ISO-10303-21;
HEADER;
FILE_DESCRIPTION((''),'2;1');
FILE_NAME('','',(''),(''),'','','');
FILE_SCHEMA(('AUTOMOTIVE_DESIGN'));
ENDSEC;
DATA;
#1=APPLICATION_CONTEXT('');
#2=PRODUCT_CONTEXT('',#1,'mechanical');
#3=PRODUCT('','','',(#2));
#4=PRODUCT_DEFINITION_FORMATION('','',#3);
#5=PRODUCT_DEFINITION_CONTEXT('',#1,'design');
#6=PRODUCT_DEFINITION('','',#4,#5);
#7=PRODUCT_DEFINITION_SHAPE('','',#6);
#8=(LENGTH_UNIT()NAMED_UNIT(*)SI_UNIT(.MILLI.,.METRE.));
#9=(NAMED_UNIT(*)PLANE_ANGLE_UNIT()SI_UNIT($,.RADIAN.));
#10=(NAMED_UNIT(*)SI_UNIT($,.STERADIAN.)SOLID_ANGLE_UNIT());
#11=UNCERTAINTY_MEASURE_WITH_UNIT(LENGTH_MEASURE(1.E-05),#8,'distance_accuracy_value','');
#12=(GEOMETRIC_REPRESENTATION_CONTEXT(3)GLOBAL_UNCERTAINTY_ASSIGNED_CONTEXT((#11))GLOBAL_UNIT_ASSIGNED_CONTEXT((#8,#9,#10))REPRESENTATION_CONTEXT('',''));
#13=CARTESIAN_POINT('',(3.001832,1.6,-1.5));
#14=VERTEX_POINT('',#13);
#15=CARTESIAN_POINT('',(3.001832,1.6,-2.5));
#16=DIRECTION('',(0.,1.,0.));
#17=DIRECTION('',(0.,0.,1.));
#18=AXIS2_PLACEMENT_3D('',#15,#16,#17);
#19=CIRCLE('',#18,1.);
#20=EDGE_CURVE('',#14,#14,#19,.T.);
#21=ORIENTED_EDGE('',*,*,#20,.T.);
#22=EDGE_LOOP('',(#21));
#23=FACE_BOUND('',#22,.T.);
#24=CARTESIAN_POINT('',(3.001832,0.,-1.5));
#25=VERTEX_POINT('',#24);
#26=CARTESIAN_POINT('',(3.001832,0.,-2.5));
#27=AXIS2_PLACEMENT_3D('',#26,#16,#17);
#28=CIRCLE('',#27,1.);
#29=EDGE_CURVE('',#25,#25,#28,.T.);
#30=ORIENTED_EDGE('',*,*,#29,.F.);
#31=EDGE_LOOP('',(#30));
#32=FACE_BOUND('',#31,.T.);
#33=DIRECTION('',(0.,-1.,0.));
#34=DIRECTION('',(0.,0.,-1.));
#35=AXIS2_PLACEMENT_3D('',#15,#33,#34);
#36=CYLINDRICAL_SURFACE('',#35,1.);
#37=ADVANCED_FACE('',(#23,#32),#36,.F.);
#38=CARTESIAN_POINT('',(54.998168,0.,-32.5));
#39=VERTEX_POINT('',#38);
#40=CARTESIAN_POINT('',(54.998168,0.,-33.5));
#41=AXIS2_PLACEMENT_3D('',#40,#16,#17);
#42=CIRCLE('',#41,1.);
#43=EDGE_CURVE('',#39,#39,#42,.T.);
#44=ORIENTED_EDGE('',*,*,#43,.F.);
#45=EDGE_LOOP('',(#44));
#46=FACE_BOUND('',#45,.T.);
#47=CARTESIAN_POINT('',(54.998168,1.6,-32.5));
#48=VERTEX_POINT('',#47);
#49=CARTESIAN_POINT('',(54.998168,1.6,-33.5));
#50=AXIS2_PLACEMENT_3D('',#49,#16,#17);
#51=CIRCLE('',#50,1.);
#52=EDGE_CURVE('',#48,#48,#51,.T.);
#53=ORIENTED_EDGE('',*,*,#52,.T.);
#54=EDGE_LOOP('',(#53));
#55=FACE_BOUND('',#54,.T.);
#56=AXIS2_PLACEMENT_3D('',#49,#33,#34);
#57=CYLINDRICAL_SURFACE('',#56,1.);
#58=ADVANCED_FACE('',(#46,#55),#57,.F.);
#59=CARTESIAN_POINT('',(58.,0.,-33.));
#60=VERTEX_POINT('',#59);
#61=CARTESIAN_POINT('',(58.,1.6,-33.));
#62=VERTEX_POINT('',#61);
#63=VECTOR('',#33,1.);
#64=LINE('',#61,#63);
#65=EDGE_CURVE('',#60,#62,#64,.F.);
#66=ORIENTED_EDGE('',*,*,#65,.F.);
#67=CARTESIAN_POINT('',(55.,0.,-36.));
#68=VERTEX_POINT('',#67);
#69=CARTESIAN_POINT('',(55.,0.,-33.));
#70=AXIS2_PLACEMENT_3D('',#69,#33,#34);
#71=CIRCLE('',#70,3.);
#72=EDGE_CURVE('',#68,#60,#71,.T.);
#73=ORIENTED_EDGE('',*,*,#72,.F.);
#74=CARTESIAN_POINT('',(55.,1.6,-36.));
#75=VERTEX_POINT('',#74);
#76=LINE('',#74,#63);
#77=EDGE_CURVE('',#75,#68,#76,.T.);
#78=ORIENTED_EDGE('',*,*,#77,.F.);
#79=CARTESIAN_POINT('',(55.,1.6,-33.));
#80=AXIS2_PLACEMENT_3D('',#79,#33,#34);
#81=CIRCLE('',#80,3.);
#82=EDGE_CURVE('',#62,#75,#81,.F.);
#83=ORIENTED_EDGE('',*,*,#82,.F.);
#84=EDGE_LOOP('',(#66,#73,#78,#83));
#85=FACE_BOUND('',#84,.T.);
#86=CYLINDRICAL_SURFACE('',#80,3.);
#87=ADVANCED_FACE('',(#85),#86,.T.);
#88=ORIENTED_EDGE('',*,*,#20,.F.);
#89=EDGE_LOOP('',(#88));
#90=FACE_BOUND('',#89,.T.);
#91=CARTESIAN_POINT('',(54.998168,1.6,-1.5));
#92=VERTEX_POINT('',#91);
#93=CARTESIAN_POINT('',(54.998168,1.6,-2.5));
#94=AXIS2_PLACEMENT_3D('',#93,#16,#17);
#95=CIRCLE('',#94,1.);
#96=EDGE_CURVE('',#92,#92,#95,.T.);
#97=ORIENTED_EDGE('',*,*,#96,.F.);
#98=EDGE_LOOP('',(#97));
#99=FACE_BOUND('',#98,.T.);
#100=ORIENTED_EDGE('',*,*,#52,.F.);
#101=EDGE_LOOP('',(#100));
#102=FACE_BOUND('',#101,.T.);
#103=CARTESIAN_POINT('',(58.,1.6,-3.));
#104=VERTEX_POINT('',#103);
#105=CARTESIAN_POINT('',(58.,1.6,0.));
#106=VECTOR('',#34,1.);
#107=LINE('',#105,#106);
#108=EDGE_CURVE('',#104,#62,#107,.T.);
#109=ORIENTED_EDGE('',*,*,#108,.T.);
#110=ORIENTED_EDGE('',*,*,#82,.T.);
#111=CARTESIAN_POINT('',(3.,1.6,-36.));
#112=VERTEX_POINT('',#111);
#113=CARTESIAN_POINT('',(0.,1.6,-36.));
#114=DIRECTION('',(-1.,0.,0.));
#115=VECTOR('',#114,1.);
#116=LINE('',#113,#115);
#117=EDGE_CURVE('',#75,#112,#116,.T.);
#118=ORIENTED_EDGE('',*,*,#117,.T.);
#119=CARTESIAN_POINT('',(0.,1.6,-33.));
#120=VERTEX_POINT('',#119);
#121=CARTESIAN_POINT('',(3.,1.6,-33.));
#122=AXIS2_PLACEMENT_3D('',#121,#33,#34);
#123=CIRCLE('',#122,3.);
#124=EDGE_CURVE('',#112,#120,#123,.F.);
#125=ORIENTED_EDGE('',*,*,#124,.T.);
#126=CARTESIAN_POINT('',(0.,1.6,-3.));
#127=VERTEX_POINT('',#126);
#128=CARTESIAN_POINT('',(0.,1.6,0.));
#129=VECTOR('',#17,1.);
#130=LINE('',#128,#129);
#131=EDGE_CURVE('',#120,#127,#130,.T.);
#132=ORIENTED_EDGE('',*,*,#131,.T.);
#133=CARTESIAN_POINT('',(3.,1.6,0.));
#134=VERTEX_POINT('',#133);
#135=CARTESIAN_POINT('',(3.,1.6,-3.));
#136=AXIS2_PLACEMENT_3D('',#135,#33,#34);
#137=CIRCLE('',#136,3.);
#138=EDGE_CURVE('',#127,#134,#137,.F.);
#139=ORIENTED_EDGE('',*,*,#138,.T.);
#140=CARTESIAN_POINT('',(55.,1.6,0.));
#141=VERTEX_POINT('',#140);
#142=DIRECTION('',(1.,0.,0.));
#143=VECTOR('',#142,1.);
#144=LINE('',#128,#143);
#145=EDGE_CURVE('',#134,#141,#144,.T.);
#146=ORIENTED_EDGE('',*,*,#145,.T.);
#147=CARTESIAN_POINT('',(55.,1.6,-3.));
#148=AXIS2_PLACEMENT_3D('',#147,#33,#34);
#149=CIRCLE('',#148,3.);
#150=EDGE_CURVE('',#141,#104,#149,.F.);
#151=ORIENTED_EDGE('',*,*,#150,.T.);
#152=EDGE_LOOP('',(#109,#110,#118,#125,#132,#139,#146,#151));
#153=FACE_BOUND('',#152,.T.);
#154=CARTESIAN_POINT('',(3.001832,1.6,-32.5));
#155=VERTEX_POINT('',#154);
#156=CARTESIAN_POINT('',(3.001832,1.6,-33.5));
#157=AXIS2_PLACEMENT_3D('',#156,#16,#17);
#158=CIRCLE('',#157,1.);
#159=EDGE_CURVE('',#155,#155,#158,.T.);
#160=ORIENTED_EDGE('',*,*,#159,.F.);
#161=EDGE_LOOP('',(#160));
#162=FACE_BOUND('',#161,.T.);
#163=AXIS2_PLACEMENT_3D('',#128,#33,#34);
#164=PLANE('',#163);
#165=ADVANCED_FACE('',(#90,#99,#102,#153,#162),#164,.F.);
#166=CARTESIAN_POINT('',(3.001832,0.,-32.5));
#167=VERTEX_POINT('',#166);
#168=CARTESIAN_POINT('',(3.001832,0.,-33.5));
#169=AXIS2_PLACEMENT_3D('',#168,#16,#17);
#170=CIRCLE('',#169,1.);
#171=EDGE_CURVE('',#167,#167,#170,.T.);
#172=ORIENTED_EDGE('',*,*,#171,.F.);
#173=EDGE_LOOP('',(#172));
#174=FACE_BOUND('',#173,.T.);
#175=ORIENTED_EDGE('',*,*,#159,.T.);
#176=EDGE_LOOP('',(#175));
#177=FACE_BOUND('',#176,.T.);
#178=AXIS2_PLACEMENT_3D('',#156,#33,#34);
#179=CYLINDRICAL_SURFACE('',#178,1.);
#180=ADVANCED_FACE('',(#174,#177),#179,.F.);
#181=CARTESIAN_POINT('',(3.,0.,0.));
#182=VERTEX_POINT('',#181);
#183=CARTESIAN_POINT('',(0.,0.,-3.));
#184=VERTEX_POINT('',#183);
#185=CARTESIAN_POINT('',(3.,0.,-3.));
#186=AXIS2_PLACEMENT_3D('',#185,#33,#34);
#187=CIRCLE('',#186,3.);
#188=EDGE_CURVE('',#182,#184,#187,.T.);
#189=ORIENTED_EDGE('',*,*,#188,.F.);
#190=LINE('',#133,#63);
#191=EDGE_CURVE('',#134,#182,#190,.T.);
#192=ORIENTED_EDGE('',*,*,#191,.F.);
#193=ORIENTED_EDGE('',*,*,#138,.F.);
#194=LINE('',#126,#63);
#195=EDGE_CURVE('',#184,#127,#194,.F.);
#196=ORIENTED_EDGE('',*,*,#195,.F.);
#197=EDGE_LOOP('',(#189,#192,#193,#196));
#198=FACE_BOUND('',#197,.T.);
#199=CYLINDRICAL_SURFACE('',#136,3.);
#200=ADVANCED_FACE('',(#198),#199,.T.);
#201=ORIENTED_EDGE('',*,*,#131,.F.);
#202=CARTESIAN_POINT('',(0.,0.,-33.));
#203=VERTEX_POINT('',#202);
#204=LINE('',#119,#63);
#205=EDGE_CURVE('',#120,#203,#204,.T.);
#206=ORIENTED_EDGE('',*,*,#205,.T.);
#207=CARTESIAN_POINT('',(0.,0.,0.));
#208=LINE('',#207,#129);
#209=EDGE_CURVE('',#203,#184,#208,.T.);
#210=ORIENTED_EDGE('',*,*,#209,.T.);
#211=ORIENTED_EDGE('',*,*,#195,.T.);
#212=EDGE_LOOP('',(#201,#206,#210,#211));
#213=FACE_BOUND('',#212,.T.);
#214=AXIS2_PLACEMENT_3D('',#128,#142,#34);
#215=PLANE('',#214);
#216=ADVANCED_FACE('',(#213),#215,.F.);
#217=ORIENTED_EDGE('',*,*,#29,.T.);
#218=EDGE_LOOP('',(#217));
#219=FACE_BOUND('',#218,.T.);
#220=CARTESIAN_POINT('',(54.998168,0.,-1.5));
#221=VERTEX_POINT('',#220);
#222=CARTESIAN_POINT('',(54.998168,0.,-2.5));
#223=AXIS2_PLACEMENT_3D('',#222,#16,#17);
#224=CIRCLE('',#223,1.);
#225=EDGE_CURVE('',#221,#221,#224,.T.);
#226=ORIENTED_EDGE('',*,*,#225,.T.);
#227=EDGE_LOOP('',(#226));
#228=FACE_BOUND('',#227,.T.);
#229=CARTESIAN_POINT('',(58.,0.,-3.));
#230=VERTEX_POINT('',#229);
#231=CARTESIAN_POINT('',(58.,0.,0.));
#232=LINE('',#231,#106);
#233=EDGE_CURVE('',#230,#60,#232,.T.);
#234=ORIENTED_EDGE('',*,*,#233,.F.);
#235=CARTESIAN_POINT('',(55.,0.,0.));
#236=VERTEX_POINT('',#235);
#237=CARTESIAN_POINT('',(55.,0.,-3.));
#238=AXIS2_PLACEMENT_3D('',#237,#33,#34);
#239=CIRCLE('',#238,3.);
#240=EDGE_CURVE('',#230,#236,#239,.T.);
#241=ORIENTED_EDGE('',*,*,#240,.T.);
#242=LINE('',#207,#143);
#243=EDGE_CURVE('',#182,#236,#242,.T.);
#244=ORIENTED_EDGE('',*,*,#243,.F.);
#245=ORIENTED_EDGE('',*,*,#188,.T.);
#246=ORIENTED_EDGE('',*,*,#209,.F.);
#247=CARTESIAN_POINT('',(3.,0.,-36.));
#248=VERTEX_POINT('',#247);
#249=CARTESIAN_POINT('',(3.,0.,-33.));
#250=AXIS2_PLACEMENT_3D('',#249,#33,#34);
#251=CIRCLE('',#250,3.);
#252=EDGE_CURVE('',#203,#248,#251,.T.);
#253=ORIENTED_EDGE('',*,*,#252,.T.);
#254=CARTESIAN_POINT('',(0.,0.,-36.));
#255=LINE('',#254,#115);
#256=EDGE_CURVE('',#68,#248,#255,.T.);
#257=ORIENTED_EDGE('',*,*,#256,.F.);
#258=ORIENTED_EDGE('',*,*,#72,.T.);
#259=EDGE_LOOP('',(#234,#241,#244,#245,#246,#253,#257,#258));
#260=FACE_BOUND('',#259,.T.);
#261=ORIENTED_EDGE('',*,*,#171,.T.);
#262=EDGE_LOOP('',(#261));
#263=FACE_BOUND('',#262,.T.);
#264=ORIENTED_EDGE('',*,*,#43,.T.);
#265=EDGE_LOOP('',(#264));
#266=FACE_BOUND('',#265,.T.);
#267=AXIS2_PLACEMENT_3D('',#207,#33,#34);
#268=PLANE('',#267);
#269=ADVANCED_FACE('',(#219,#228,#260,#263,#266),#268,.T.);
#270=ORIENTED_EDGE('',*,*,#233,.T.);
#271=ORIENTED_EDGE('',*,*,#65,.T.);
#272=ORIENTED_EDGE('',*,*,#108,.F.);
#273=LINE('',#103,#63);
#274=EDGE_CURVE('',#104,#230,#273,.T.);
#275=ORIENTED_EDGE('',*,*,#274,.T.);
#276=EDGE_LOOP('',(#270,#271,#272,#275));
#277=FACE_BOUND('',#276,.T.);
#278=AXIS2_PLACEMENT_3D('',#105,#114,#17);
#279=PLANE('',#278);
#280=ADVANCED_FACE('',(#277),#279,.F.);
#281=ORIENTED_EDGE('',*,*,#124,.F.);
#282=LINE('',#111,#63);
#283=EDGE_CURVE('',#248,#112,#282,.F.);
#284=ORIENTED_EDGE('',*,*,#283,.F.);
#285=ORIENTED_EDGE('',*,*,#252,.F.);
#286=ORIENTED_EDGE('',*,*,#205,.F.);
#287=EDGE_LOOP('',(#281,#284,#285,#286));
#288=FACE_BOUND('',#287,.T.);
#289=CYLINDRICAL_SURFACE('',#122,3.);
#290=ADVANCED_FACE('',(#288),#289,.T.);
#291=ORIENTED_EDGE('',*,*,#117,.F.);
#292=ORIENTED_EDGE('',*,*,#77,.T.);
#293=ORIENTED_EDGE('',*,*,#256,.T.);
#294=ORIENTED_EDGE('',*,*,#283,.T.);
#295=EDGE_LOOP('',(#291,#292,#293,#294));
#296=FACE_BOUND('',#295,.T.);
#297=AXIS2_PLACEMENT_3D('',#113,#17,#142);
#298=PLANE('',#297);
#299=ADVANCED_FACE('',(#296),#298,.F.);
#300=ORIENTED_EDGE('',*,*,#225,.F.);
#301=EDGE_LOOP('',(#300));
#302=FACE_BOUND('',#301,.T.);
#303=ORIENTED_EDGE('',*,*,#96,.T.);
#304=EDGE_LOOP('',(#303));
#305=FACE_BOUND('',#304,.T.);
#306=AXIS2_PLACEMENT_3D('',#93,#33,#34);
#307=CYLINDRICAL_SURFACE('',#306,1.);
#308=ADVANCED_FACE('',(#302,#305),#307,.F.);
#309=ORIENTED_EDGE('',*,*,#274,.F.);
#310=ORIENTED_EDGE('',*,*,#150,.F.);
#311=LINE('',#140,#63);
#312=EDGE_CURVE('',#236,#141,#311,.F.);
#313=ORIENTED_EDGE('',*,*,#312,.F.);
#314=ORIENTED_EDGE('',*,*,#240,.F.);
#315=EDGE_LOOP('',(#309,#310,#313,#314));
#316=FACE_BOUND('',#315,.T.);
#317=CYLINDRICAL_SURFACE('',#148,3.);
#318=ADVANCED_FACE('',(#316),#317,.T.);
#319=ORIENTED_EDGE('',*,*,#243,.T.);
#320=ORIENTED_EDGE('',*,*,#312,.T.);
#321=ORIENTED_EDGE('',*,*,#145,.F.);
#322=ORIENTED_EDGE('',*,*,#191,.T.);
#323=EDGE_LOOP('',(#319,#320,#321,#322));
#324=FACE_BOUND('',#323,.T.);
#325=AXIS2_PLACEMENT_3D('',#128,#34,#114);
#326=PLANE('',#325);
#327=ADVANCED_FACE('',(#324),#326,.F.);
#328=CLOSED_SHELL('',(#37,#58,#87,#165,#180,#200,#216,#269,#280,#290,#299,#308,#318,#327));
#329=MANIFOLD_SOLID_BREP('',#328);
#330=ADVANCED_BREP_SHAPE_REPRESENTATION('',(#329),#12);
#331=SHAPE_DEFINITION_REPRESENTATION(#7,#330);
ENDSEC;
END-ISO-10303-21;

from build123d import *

# Parameters (mm, degrees)
SKETCH1_W           = 58
SKETCH1_H           = 36
SKETCH1_R           = 1
BOSS_EXTRUDE1_DEPTH = 1.6
FILLET1_R           = 3


with BuildPart() as part:
    # Sketch1 → Boss-Extrude1 (new body)
    with BuildSketch(Plane(origin=(0, 0, 0), x_dir=(1, 0, 0), z_dir=(0, 1, 0))):
        with Locations((29, 18)):
            Rectangle(SKETCH1_W, SKETCH1_H)
        with Locations((3.001832039, 2.5)):
            Circle(SKETCH1_R, mode=Mode.SUBTRACT)
        with Locations((54.998167961, 2.5)):
            Circle(SKETCH1_R, mode=Mode.SUBTRACT)
        with Locations((54.998167961, 33.5)):
            Circle(SKETCH1_R, mode=Mode.SUBTRACT)
        with Locations((3.001832039, 33.5)):
            Circle(SKETCH1_R, mode=Mode.SUBTRACT)
    extrude(amount=BOSS_EXTRUDE1_DEPTH)

    # Fillet1
    fillet1_edges = [part.edges().sort_by_distance(p)[0] for p in [
        (0, 0.8, -36),
        (58, 0.8, -36),
        (58, 0.8, 0),
        (0, 0.8, 0),
    ]]
    fillet(fillet1_edges, radius=FILLET1_R)


solid = part.part
